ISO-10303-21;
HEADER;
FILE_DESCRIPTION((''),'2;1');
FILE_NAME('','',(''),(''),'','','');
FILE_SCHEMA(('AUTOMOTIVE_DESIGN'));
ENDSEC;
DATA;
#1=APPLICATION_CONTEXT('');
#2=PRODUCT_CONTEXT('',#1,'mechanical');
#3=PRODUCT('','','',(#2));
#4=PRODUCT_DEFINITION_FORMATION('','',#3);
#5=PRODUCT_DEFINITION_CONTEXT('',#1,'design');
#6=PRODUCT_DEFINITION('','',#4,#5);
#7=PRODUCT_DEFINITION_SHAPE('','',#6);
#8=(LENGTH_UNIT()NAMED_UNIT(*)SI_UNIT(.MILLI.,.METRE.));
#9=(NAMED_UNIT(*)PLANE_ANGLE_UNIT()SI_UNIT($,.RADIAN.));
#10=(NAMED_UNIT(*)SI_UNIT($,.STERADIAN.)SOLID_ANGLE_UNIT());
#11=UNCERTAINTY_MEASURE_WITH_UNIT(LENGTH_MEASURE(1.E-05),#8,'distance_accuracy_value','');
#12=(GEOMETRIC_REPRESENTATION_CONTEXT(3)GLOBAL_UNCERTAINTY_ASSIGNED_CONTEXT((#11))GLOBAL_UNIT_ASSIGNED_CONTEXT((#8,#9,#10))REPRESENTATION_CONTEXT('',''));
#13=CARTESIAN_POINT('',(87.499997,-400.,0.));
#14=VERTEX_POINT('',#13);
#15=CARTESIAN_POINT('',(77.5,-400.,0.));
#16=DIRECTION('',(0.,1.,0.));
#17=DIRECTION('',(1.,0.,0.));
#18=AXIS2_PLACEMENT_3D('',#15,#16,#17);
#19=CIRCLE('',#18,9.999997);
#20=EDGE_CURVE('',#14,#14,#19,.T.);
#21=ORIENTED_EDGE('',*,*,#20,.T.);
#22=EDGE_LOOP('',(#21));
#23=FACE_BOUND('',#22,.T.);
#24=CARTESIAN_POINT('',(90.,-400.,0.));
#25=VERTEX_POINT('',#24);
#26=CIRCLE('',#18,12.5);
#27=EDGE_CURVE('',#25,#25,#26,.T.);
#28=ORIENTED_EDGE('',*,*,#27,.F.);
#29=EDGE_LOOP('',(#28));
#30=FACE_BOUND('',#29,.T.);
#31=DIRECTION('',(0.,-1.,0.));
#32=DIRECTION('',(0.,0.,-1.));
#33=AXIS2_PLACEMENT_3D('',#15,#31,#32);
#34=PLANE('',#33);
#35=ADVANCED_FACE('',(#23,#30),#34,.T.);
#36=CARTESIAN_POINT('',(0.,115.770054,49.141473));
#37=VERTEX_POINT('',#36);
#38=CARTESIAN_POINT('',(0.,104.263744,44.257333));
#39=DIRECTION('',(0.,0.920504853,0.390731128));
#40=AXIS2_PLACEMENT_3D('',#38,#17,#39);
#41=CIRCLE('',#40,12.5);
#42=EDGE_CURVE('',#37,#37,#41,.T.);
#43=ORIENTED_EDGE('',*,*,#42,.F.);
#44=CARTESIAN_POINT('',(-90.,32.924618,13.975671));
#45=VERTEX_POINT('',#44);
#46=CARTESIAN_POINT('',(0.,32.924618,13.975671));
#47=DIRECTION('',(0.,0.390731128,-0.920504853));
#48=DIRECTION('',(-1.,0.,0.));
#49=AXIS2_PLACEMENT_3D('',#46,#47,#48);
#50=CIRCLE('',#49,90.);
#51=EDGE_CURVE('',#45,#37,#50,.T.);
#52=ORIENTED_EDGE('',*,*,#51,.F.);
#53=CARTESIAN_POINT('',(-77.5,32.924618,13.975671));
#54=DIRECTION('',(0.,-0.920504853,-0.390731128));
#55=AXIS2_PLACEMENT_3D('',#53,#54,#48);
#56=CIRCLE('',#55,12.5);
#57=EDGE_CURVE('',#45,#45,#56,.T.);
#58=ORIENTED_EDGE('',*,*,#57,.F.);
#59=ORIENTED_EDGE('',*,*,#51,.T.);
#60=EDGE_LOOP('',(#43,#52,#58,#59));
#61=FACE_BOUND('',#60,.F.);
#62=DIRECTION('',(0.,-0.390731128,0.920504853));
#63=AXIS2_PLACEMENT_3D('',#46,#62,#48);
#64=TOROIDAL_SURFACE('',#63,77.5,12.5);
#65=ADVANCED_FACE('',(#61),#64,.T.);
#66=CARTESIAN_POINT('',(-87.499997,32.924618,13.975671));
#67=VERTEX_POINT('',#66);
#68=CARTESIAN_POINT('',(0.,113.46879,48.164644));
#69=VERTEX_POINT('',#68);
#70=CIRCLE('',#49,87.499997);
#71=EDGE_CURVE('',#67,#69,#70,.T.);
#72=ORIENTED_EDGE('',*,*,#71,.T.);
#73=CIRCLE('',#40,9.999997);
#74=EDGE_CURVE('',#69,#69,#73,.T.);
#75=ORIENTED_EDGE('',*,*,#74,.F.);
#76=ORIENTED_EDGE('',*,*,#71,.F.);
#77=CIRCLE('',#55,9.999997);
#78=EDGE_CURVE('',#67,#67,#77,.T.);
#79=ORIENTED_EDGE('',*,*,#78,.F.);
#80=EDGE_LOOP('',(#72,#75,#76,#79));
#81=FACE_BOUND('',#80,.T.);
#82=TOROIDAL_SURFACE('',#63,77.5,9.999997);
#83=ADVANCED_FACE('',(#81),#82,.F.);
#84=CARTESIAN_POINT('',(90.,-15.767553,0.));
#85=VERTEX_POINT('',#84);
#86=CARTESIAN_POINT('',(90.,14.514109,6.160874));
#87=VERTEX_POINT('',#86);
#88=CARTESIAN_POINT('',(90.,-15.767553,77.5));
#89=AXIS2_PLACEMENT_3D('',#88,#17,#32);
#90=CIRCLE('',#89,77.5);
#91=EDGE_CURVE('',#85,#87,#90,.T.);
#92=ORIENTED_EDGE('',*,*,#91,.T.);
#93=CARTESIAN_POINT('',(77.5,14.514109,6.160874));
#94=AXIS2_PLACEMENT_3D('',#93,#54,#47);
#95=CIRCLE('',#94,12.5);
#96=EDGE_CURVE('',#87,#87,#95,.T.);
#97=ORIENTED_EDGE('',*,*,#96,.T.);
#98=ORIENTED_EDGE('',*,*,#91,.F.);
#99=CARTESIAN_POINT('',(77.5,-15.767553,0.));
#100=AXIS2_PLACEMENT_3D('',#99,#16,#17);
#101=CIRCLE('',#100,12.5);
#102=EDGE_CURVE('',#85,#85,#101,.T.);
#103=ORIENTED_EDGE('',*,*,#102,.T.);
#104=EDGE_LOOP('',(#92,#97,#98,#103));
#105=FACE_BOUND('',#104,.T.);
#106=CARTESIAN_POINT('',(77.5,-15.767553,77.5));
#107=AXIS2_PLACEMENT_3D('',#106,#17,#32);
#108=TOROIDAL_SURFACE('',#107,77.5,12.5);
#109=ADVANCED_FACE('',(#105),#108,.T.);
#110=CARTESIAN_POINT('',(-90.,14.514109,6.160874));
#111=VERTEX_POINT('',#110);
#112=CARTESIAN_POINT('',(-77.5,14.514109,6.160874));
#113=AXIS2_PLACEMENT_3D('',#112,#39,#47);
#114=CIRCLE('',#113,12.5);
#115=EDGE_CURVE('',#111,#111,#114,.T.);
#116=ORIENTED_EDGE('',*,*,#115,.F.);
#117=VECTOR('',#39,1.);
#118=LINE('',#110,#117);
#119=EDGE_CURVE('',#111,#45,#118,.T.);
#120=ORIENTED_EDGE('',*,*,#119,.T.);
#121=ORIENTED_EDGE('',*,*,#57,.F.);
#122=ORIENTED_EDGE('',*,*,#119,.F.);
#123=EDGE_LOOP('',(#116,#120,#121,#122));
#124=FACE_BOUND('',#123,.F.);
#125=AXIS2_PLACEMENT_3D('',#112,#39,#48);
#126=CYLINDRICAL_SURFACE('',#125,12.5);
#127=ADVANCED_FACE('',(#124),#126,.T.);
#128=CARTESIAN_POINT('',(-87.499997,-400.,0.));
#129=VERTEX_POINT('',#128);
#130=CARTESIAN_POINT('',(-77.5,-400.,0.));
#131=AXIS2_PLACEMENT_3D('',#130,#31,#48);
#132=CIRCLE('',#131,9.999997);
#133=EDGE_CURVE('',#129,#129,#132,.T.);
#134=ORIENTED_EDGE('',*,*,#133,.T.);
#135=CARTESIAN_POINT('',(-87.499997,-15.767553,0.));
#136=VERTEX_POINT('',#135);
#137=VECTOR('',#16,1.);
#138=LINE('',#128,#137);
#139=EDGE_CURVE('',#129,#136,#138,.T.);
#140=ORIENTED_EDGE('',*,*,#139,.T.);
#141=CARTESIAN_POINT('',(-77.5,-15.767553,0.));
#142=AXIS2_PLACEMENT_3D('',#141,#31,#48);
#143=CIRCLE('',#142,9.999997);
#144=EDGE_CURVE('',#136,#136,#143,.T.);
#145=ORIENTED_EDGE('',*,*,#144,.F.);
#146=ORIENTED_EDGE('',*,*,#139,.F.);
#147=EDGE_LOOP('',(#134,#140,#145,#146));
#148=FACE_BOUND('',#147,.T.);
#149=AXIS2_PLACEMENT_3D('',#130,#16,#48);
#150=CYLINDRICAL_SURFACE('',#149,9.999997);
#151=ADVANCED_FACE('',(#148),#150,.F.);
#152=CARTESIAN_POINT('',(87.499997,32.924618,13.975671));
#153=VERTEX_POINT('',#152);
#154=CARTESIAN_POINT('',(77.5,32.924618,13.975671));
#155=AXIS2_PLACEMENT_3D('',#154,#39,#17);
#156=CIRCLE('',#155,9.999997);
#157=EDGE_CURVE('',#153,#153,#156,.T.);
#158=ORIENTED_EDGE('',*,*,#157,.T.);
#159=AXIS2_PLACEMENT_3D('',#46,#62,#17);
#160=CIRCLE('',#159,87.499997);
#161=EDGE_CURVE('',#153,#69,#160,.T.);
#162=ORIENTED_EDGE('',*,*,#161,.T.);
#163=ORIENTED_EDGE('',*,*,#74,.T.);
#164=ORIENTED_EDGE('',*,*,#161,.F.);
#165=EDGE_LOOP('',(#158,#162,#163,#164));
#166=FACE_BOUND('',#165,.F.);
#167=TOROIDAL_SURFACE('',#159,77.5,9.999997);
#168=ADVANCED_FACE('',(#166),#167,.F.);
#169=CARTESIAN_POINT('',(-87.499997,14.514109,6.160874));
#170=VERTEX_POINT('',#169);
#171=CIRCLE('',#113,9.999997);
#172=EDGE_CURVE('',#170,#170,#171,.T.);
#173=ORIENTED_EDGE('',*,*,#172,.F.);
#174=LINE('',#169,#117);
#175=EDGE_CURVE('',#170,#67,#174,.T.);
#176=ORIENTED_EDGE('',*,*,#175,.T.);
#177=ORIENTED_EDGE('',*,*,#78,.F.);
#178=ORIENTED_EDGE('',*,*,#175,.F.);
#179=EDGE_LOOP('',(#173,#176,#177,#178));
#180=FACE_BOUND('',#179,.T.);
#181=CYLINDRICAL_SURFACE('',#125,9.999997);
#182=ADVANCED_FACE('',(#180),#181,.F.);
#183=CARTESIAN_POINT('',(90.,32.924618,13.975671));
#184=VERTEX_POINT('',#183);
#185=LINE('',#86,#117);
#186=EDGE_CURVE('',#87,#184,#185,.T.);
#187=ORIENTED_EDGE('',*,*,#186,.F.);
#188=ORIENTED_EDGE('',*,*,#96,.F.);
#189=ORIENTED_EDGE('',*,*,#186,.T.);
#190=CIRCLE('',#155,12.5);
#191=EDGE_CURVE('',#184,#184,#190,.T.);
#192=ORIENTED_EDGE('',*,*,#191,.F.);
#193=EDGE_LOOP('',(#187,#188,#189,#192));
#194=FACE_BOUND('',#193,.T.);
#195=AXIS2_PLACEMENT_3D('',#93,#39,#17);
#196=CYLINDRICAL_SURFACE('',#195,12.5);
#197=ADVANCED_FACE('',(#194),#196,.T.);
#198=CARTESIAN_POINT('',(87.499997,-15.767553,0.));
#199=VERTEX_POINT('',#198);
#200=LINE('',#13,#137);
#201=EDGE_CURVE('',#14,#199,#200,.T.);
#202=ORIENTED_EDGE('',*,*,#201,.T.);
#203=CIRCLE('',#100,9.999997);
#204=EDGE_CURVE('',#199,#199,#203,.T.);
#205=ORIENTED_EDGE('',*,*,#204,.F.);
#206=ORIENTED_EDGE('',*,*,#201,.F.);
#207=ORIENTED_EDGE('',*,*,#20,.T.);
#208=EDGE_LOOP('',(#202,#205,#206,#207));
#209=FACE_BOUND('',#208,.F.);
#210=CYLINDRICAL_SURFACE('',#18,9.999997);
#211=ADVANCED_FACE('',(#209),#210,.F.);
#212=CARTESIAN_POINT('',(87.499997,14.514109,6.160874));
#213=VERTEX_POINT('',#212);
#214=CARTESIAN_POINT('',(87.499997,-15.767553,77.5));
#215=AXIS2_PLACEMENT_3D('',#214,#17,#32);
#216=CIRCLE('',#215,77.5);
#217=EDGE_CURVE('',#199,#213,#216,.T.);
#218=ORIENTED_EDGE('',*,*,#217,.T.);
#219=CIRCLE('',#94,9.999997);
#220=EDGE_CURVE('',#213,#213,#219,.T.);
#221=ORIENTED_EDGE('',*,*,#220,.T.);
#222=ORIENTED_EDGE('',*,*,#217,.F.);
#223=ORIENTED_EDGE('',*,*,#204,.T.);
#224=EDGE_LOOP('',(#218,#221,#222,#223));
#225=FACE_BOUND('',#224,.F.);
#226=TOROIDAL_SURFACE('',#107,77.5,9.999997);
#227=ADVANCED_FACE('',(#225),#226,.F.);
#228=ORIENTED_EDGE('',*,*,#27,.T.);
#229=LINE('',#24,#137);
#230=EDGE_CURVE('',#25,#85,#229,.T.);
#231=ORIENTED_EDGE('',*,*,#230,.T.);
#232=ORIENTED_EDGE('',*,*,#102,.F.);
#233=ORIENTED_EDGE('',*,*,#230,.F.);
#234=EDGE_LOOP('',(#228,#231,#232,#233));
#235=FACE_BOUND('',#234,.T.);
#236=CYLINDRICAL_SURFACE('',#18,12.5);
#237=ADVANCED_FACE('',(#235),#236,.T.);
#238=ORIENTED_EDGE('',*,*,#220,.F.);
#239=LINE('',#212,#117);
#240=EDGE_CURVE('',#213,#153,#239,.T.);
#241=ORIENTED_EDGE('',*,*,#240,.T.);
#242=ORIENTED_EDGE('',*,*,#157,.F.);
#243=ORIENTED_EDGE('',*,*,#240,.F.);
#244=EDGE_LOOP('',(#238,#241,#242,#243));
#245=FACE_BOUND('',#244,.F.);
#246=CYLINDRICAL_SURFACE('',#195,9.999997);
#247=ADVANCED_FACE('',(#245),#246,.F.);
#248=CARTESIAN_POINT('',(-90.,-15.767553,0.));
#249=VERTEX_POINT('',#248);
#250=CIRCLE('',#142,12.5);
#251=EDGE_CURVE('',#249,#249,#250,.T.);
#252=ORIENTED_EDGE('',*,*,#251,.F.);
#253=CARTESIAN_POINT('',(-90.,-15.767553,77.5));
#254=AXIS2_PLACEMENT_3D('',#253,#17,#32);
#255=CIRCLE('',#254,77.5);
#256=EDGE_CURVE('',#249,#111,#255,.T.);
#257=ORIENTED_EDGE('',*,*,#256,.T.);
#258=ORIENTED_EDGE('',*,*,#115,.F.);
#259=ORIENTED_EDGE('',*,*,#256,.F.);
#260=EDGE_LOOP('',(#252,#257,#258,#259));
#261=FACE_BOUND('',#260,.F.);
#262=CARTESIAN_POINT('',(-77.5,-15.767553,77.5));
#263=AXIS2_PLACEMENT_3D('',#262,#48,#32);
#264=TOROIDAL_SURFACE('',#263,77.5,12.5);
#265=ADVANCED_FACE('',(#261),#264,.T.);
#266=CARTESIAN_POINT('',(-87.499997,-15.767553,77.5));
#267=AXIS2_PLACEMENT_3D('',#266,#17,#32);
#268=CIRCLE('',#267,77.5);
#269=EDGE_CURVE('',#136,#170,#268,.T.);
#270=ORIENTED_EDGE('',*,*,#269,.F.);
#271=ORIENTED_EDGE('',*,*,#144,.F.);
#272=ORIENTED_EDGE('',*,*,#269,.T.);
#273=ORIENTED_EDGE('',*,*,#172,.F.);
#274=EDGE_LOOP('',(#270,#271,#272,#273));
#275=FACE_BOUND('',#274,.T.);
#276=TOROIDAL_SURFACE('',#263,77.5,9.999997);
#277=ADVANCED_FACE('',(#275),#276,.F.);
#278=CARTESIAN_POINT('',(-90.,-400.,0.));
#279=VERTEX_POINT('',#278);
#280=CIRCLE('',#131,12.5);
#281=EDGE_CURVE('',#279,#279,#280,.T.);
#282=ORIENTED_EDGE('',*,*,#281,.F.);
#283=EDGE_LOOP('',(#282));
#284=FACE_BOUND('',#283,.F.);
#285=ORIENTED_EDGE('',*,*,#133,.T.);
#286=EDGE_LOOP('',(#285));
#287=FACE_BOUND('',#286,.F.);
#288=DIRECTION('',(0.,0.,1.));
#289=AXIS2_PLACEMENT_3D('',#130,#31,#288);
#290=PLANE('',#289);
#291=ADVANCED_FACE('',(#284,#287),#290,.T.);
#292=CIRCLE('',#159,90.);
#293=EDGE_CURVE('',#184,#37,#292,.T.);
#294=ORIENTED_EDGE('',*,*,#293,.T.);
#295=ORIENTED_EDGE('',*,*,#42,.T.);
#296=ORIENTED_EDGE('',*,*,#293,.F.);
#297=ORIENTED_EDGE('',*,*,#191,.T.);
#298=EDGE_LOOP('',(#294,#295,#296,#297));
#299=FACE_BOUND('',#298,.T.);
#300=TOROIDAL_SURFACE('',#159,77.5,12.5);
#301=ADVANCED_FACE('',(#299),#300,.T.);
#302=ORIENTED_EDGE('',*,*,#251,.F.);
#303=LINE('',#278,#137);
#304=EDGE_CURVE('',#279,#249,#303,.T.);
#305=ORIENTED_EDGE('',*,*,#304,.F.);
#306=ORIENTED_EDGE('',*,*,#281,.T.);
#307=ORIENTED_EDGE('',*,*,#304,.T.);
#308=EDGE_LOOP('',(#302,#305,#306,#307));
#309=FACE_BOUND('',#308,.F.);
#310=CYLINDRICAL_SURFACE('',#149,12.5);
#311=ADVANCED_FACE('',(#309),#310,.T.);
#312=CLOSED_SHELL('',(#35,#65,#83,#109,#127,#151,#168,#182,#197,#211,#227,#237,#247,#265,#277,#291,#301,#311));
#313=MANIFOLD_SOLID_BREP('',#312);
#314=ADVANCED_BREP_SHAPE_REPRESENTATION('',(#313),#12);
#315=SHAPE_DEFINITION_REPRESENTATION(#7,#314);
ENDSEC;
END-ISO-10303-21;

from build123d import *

# Parameters (mm, degrees)
F5_R   = 12.5
F5_R_2 = 9.9999973178


with BuildPart() as f8:
    # F8: sweep along a path in F7, F3
    with BuildLine(Plane(origin=(77.5, 0, 0), x_dir=(0, -1, 0), z_dir=(-1, 0, 0))) as f8_path:
        Line((400, 0), (15.7675532053, 0))
        ThreePointArc((15.7675532053, 0), (0.316538288, 1.5558353919), (-14.5141092526, 6.1608738574))
        Line((-14.5141092526, 6.1608738574), (-32.9246175983, 13.9756710038))
    with BuildLine(Plane(origin=(0, 0, 0), x_dir=(1, 0, 0), z_dir=(0, 0.3907311285, -0.9205048535))) as f8_path_2:
        ThreePointArc((77.5, -35.768), (54.800775542, -90.568775542), (0, -113.268))
    # F5 (on plane+point) → F8 (sweep)
    with BuildSketch(Plane.XZ.offset(400)):
        with Locations((77.5, 0)):
            Circle(F5_R)
        with Locations((77.5, 0)):
            Circle(F5_R_2, mode=Mode.SUBTRACT)
    sweep(path=f8_path.line + f8_path_2.line)

    # F9: F8 across plane


with BuildPart() as f8_1:
    add(f8.part)
    add(f8.part.mirror(Plane.YZ))


solid = f8_1.part
